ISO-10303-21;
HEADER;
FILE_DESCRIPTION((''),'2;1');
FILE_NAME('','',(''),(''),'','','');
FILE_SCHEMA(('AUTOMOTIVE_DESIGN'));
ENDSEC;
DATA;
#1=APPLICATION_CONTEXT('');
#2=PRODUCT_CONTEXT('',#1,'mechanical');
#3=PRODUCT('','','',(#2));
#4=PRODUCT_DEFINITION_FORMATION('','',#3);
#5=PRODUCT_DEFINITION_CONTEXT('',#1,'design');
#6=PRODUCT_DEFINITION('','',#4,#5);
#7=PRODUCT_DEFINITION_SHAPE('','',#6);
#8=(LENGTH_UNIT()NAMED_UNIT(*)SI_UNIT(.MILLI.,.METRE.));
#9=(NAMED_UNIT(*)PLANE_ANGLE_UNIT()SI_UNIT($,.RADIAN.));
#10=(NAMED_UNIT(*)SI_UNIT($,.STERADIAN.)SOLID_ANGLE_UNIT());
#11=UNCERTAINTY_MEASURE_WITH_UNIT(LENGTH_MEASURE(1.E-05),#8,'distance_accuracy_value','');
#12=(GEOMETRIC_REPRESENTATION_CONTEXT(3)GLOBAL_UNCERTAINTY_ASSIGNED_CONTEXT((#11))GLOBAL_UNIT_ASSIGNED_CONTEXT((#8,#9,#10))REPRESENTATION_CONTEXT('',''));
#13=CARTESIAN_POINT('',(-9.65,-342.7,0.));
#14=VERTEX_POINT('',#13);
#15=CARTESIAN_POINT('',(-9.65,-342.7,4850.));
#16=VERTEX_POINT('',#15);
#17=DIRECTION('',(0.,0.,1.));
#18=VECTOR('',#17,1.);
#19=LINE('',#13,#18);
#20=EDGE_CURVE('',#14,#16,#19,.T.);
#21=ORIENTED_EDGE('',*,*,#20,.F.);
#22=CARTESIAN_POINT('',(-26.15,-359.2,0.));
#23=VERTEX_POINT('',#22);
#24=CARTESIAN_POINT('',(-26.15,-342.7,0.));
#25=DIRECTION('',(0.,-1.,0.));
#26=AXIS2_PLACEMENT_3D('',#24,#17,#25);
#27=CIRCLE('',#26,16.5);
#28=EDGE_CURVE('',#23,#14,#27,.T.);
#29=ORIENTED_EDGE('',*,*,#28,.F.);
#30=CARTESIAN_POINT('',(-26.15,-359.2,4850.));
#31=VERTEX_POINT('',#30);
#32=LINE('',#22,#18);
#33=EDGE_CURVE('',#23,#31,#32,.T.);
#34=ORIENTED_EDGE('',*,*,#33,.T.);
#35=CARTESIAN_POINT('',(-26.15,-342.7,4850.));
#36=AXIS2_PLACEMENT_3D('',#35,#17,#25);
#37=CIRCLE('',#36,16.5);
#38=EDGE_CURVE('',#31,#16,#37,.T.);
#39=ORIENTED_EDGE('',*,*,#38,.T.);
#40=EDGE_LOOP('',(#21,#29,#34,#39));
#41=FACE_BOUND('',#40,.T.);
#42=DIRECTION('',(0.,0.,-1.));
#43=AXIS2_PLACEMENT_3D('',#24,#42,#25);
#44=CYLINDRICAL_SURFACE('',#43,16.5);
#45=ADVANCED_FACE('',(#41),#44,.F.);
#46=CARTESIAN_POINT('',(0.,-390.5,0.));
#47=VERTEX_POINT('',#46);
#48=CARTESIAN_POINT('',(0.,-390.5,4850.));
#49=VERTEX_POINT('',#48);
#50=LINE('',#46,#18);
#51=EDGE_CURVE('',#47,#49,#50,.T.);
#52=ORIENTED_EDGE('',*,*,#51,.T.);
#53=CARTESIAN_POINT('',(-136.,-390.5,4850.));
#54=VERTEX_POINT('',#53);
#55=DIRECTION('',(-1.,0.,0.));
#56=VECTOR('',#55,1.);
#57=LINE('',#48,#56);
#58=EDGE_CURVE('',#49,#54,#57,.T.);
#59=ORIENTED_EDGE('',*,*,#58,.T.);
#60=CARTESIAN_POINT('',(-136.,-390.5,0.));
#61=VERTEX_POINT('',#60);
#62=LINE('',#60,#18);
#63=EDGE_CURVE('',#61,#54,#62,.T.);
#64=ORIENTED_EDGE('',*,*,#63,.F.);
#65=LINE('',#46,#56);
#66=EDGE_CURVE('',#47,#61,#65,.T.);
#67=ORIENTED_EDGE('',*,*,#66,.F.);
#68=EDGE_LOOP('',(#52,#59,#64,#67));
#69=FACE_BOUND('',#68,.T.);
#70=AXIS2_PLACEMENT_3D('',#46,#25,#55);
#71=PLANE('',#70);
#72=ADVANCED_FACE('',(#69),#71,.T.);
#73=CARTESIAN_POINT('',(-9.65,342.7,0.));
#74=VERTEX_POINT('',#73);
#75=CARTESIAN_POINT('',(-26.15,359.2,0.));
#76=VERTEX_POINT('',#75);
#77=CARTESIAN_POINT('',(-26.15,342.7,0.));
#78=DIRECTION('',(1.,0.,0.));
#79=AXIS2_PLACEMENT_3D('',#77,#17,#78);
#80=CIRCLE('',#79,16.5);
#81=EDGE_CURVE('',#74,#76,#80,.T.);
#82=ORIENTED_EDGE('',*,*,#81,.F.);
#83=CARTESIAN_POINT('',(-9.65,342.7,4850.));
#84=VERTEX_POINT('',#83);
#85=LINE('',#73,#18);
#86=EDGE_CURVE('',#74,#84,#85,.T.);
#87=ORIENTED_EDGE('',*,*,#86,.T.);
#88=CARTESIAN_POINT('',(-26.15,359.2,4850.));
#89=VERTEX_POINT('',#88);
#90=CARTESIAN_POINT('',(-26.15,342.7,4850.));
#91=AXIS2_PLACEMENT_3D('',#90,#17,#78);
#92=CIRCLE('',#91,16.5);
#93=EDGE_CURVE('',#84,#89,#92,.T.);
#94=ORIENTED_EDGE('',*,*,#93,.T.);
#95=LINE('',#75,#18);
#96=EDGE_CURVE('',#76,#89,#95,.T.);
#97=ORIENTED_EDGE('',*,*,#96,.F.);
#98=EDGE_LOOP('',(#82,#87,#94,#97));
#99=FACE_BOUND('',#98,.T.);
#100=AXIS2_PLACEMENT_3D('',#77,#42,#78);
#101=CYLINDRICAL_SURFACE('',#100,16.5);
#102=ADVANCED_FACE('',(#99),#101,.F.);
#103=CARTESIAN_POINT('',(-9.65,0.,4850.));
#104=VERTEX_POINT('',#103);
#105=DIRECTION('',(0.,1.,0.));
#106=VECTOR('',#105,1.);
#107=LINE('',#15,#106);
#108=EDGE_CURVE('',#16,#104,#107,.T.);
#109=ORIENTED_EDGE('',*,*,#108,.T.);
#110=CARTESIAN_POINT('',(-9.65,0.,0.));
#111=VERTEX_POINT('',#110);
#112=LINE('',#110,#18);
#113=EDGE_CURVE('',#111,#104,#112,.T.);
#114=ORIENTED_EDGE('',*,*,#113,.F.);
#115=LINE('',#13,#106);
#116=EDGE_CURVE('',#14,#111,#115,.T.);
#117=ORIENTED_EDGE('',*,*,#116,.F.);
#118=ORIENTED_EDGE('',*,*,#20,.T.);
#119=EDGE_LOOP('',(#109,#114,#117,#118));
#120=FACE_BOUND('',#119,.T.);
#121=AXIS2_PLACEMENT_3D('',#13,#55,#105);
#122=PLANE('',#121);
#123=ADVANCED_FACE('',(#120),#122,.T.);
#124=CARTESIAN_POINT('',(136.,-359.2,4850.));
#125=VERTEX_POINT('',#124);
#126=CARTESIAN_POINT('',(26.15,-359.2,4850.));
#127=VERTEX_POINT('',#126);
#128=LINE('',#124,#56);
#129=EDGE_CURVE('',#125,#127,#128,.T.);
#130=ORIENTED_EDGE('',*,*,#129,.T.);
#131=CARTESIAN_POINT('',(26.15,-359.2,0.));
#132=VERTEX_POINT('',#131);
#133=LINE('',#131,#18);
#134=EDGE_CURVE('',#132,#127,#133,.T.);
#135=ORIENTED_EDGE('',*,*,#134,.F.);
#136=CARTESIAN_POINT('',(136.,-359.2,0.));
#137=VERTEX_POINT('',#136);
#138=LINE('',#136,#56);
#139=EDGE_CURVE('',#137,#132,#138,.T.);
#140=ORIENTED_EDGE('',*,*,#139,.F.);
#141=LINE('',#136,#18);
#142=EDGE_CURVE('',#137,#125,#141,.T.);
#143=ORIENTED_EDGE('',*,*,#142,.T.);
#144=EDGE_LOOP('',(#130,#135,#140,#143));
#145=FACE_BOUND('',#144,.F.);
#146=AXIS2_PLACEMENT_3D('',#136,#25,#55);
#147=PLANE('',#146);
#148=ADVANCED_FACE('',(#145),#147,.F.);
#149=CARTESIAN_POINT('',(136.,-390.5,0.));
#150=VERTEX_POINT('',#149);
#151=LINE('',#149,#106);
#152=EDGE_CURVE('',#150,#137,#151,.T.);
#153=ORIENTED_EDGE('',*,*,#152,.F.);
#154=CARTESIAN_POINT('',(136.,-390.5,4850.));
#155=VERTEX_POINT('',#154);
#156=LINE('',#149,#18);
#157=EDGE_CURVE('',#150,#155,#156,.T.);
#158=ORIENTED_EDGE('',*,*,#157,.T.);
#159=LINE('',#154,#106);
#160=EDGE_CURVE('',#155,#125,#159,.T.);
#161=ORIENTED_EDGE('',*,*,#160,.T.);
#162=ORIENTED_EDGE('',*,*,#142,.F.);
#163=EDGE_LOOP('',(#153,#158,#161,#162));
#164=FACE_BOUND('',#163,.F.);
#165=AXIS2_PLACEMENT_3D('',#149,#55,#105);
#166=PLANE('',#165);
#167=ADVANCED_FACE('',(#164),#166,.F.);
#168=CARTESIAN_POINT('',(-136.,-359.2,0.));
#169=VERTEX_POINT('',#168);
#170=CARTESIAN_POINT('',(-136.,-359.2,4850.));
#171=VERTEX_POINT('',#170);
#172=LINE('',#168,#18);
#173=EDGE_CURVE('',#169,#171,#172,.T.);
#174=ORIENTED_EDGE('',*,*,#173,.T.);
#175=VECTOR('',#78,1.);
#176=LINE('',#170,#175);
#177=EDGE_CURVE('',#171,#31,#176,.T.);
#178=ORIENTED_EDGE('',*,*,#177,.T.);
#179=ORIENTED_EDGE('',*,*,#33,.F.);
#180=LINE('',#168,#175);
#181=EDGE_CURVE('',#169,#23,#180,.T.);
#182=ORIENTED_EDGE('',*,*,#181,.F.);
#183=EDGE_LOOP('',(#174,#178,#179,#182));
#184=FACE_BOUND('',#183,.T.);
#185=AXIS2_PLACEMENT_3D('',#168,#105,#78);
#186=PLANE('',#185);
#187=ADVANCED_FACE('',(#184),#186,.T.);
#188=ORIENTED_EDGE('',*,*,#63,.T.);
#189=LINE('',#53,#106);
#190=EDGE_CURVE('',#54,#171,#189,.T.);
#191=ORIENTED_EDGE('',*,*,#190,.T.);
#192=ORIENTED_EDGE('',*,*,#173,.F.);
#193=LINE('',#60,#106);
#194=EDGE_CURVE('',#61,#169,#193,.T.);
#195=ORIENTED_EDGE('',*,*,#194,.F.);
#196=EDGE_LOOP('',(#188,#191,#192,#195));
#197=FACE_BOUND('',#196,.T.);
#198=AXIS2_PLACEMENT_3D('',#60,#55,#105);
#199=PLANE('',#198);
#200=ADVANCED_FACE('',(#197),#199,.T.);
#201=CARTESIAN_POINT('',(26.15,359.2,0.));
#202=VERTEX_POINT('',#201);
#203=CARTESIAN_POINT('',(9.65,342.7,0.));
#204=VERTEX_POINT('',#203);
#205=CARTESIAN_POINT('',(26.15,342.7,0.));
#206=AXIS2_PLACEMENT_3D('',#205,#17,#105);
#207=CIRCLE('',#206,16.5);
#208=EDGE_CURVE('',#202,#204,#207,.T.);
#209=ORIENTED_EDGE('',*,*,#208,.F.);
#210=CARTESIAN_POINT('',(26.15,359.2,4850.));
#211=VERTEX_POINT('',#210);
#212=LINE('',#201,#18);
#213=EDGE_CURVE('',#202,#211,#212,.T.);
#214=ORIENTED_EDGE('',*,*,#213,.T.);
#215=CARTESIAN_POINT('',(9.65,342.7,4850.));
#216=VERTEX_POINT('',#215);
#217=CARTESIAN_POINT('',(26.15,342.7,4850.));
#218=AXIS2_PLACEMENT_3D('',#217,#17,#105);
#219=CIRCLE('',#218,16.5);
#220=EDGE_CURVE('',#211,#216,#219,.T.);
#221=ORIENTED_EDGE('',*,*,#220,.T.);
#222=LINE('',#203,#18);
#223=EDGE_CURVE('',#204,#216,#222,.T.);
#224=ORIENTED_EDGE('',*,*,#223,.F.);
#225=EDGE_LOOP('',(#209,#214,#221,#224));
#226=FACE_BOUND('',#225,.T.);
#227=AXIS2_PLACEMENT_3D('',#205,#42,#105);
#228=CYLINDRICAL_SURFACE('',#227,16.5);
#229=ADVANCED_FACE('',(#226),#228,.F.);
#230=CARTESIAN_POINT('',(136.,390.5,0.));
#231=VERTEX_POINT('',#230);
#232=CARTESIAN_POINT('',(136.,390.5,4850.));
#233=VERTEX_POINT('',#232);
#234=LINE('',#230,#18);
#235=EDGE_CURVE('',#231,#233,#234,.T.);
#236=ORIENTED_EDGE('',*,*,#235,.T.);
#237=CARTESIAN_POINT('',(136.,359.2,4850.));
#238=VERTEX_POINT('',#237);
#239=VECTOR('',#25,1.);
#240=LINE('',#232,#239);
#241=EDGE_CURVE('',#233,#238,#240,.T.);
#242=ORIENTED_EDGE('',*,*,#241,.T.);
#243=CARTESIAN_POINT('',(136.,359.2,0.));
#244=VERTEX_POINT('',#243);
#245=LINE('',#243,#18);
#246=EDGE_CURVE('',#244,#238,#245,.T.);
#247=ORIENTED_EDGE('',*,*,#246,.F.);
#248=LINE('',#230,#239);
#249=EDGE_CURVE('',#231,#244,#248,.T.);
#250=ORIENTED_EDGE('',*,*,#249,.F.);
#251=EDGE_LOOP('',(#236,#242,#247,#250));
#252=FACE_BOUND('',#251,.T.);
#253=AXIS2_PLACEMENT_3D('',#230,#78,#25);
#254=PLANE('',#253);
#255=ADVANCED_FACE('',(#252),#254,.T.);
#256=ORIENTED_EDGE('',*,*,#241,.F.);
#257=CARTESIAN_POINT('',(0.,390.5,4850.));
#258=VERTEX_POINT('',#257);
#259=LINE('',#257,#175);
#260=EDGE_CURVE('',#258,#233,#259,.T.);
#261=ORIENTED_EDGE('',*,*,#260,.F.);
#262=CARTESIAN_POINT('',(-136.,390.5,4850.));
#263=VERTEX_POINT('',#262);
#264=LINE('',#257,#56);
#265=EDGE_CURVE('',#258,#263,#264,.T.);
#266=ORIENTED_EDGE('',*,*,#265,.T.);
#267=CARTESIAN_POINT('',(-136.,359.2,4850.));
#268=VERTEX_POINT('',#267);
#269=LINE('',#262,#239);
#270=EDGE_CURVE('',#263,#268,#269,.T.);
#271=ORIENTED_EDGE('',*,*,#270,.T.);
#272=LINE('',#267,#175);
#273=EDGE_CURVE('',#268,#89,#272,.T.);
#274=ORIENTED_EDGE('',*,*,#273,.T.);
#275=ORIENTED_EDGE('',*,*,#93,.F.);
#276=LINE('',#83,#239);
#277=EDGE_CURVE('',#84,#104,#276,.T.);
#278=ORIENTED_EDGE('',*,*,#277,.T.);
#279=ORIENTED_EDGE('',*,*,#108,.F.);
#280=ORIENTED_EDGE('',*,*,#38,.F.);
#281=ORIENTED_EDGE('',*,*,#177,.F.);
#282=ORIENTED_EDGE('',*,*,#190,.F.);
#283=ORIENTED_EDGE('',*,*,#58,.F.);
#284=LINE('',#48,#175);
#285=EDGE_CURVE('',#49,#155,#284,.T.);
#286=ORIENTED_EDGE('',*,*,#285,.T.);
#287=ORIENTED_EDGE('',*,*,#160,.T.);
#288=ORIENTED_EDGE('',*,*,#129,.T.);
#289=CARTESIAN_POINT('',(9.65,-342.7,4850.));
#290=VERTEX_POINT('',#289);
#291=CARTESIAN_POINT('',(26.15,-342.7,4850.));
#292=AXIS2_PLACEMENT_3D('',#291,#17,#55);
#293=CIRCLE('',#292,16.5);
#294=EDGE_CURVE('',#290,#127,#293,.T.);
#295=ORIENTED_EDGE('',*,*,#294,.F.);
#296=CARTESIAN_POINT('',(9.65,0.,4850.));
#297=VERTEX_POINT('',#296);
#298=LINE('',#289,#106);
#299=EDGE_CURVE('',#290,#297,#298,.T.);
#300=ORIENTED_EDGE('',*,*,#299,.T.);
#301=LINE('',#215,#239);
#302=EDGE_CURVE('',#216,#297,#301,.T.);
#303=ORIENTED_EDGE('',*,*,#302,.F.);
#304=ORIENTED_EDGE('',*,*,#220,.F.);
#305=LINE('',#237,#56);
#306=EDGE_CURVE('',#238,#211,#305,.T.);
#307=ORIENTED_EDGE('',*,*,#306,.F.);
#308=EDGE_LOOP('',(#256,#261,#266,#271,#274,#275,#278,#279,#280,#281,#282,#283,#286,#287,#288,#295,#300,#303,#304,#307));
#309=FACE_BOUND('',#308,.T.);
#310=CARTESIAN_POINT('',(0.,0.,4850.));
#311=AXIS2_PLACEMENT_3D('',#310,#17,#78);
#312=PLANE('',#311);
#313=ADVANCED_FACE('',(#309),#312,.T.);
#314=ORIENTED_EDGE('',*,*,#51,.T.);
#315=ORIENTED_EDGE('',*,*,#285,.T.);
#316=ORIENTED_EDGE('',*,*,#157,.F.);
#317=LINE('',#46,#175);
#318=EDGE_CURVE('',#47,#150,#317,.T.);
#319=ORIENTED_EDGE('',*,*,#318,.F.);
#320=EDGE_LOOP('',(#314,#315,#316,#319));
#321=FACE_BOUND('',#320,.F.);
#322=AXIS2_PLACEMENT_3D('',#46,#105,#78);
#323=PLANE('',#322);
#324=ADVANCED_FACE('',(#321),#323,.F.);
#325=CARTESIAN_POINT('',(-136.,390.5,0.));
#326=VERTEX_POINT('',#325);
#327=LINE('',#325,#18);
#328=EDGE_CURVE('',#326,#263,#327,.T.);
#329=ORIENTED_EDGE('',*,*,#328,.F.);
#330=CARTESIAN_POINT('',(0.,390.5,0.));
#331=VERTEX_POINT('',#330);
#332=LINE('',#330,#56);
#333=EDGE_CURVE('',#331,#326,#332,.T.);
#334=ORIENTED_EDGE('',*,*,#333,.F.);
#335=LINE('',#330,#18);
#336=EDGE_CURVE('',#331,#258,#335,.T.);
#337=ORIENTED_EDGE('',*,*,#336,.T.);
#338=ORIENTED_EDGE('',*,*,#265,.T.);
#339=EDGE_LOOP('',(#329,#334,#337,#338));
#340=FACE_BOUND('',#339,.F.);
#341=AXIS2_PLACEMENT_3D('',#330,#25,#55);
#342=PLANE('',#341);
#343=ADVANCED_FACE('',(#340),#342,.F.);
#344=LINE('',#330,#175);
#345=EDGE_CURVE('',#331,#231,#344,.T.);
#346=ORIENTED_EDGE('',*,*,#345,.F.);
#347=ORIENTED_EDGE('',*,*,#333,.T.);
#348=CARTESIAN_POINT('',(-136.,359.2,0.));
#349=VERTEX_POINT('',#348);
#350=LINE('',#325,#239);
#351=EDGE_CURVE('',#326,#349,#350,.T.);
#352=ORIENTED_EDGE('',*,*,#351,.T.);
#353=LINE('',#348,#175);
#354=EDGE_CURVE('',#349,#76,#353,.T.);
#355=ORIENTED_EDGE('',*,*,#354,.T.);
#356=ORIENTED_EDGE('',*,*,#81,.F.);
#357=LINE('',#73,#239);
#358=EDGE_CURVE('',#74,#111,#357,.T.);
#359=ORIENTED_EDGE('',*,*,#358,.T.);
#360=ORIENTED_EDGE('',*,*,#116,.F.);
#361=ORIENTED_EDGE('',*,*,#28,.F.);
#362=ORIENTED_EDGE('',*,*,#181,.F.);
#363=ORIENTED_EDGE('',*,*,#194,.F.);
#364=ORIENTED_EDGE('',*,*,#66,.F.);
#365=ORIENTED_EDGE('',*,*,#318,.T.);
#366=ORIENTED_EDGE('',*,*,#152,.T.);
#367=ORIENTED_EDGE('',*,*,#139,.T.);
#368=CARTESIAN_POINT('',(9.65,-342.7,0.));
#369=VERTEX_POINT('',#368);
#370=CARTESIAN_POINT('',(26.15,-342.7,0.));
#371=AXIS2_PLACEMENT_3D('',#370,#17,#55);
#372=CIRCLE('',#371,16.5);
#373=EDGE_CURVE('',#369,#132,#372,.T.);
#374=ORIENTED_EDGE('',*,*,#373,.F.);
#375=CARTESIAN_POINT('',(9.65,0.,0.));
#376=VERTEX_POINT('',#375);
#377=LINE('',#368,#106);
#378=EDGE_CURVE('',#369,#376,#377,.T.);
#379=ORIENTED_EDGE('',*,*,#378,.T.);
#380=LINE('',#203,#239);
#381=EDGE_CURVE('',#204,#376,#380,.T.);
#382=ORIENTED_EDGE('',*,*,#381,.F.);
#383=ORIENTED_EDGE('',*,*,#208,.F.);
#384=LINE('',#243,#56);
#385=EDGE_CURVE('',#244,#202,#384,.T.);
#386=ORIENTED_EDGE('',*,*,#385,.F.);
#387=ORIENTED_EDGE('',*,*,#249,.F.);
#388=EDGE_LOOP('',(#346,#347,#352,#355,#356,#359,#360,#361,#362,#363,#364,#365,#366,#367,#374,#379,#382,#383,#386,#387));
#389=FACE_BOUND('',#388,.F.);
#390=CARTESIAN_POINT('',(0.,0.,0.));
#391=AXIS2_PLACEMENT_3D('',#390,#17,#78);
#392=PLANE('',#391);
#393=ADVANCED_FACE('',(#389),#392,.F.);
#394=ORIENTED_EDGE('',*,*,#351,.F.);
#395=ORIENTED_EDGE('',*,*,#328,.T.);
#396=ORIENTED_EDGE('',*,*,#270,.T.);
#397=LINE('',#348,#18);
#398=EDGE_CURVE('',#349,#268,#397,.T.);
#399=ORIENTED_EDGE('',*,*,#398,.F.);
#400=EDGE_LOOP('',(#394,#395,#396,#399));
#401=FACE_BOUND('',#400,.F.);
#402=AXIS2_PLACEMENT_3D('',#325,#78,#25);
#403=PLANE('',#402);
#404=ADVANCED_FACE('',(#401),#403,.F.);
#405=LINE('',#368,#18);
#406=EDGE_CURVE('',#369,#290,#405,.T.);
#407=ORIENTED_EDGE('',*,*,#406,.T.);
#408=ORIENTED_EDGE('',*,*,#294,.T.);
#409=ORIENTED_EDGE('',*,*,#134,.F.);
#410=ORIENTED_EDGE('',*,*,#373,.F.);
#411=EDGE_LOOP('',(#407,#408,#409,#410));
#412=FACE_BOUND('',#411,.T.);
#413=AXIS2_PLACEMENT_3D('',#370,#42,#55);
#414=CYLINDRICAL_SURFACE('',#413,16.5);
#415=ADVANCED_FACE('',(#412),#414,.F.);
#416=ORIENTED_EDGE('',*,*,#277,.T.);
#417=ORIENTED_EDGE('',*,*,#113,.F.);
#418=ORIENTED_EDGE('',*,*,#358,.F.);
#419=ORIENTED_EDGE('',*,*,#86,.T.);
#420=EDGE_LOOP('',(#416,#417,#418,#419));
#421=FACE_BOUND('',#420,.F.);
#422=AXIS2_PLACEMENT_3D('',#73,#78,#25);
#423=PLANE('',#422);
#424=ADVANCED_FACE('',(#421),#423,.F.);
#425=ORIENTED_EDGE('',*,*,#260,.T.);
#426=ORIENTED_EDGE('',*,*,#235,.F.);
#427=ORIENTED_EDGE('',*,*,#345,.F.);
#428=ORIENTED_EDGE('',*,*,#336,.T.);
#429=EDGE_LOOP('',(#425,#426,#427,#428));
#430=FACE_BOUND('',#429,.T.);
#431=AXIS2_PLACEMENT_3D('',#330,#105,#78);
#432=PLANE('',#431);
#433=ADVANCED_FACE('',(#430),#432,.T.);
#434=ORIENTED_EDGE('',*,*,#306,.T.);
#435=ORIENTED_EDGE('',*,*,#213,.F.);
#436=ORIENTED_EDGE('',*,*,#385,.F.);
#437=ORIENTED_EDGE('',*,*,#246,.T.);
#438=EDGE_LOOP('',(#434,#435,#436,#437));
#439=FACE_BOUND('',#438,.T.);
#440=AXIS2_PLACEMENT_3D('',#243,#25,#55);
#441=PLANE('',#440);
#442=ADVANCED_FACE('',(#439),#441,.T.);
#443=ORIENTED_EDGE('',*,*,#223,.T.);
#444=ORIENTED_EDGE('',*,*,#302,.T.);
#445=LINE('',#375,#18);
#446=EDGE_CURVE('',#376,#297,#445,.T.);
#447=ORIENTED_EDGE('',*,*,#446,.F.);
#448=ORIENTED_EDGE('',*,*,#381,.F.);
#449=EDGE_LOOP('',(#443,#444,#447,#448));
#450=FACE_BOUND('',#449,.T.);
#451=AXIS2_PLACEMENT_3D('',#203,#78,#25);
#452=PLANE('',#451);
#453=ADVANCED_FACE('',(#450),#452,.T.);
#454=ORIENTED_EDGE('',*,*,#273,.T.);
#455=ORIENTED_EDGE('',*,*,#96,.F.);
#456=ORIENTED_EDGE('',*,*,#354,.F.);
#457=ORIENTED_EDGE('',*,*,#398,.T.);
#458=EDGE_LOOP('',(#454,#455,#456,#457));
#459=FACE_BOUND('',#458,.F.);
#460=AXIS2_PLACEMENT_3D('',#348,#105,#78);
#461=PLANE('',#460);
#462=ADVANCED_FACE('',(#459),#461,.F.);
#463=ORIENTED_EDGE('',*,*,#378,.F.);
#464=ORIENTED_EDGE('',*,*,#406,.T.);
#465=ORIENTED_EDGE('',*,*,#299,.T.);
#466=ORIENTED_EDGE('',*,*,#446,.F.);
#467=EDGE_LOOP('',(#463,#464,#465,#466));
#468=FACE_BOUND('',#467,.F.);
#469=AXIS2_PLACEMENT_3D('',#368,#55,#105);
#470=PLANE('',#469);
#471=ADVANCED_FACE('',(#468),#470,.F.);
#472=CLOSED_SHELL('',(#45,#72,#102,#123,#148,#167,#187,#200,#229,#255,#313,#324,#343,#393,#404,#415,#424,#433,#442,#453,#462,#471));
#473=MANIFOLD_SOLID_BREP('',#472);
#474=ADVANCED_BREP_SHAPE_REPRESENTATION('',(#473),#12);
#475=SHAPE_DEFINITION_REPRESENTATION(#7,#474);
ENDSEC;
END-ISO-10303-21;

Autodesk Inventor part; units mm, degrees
ref_plane "YZ Plane" through (0, 0, 0) normal (1, 0, 0) x (0, 1, 0)
ref_plane "Start plane" through (0, 0, 0) normal (0, 0, 1) x (1, 0, 0)
ref_plane "End plane" through (0, 0, 4850) normal (0, 0, 1) x (1, 0, 0)
sketch "Sketch" plane through (0, 0, 0) normal (0, 0, 1) x (1, 0, 0)
  line L0 (-136, -390.5) -> (-136, -359.2)
  line L1 (-136, -359.2) -> (-26.15, -359.2)
  line L2 (-9.65, -342.7) -> (-9.65, 0)
  line L3 (-9.65, 0) -> (0, 0) construction
  line L4 (0, 0) -> (0, -390.5) construction
  line L5 (0, -390.5) -> (-136, -390.5)
  line L6 (-60, 0) -> (80, 0) construction
  line L7 (0, -60) -> (0, 80) construction
  line L8 (136, -390.5) -> (136, -359.2)
  line L9 (136, -359.2) -> (26.15, -359.2)
  line L10 (9.65, -342.7) -> (9.65, 0)
  line L11 (9.65, 0) -> (0, 0) construction
  line L12 (0, -390.5) -> (136, -390.5)
  line L13 (-136, 390.5) -> (-136, 359.2)
  line L14 (-136, 359.2) -> (-26.15, 359.2)
  line L15 (-9.65, 342.7) -> (-9.65, 0)
  line L16 (0, 390.5) -> (-136, 390.5)
  line L17 (136, 390.5) -> (136, 359.2)
  line L18 (136, 359.2) -> (26.15, 359.2)
  line L19 (0, 390.5) -> (136, 390.5)
  line L20 (9.65, 342.7) -> (9.65, 0)
  arc A0 (-9.65, 342.7) -> (-26.15, 359.2) centre (-26.15, 342.7) ccw
  arc A1 (26.15, 359.2) -> (9.65, 342.7) centre (26.15, 342.7) ccw
  arc A2 (9.65, -342.7) -> (26.15, -359.2) centre (26.15, -342.7) ccw
  arc A3 (-26.15, -359.2) -> (-9.65, -342.7) centre (-26.15, -342.7) ccw
  line L21 (0, 108) -> (0, -88) construction
  line L22 (-88, 0) -> (108, 0) construction
  point P0 (-9.65, -359.2)
  point P1 (9.65, -359.2)
  point P2 (-9.65, 359.2)
  point P3 (9.65, 359.2)
  dimension "d1" = 390.5
  dimension "d2" = 31.3
  dimension "d3" = 136
  dimension "d4" = 9.65
  dimension "d10" = 16.5
extrude "Body" add sketch "Sketch" along normal up to surface (4850 mm away) from surface at 0
sketch "Sketch4" plane through (0, 0, 0) normal (0, 0, 1) x (1, 0, 0)
  line L0 (0, 0) -> (10, 0)
ref_plane "Work Plane3" through (0, 0, 0) normal (0, -1, 0) x (1, 0, 0)
sketch "Sketch5" plane through (0, 0, 0) normal (0, -1, 0) x (1, 0, 0)
  line L0 (-2, 0) -> (12, 0) projected
  line L1 (-2, 4850) -> (12, 4850) projected
  dimension "d14" = 4850
equation "\"d1\" = 0.5 * G_H"
equation "\"d2\" = G_T1"
equation "\"d3\" = 0.5 * G_W"
equation "\"d4\" = 0.5 * G_T"
equation "\"d10\" = G_IR"
equation "\"d5\" = G_L"
equation "\"G_W\" = 272"
equation "\"G_H\" = 781"
equation "\"G_T\" = 19.3"
equation "\"G_T1\" = 31.3"
equation "\"G_IR\" = 16.5"
equation "\"G_L\" = d14"
equation "\"G_OFFSET_START\" = 0"
equation "\"G_OFFSET_END\" = 0"
properties part number "AS 3679-1990 - 760 UB - 244 - 4850" material "Steel, Mild"
